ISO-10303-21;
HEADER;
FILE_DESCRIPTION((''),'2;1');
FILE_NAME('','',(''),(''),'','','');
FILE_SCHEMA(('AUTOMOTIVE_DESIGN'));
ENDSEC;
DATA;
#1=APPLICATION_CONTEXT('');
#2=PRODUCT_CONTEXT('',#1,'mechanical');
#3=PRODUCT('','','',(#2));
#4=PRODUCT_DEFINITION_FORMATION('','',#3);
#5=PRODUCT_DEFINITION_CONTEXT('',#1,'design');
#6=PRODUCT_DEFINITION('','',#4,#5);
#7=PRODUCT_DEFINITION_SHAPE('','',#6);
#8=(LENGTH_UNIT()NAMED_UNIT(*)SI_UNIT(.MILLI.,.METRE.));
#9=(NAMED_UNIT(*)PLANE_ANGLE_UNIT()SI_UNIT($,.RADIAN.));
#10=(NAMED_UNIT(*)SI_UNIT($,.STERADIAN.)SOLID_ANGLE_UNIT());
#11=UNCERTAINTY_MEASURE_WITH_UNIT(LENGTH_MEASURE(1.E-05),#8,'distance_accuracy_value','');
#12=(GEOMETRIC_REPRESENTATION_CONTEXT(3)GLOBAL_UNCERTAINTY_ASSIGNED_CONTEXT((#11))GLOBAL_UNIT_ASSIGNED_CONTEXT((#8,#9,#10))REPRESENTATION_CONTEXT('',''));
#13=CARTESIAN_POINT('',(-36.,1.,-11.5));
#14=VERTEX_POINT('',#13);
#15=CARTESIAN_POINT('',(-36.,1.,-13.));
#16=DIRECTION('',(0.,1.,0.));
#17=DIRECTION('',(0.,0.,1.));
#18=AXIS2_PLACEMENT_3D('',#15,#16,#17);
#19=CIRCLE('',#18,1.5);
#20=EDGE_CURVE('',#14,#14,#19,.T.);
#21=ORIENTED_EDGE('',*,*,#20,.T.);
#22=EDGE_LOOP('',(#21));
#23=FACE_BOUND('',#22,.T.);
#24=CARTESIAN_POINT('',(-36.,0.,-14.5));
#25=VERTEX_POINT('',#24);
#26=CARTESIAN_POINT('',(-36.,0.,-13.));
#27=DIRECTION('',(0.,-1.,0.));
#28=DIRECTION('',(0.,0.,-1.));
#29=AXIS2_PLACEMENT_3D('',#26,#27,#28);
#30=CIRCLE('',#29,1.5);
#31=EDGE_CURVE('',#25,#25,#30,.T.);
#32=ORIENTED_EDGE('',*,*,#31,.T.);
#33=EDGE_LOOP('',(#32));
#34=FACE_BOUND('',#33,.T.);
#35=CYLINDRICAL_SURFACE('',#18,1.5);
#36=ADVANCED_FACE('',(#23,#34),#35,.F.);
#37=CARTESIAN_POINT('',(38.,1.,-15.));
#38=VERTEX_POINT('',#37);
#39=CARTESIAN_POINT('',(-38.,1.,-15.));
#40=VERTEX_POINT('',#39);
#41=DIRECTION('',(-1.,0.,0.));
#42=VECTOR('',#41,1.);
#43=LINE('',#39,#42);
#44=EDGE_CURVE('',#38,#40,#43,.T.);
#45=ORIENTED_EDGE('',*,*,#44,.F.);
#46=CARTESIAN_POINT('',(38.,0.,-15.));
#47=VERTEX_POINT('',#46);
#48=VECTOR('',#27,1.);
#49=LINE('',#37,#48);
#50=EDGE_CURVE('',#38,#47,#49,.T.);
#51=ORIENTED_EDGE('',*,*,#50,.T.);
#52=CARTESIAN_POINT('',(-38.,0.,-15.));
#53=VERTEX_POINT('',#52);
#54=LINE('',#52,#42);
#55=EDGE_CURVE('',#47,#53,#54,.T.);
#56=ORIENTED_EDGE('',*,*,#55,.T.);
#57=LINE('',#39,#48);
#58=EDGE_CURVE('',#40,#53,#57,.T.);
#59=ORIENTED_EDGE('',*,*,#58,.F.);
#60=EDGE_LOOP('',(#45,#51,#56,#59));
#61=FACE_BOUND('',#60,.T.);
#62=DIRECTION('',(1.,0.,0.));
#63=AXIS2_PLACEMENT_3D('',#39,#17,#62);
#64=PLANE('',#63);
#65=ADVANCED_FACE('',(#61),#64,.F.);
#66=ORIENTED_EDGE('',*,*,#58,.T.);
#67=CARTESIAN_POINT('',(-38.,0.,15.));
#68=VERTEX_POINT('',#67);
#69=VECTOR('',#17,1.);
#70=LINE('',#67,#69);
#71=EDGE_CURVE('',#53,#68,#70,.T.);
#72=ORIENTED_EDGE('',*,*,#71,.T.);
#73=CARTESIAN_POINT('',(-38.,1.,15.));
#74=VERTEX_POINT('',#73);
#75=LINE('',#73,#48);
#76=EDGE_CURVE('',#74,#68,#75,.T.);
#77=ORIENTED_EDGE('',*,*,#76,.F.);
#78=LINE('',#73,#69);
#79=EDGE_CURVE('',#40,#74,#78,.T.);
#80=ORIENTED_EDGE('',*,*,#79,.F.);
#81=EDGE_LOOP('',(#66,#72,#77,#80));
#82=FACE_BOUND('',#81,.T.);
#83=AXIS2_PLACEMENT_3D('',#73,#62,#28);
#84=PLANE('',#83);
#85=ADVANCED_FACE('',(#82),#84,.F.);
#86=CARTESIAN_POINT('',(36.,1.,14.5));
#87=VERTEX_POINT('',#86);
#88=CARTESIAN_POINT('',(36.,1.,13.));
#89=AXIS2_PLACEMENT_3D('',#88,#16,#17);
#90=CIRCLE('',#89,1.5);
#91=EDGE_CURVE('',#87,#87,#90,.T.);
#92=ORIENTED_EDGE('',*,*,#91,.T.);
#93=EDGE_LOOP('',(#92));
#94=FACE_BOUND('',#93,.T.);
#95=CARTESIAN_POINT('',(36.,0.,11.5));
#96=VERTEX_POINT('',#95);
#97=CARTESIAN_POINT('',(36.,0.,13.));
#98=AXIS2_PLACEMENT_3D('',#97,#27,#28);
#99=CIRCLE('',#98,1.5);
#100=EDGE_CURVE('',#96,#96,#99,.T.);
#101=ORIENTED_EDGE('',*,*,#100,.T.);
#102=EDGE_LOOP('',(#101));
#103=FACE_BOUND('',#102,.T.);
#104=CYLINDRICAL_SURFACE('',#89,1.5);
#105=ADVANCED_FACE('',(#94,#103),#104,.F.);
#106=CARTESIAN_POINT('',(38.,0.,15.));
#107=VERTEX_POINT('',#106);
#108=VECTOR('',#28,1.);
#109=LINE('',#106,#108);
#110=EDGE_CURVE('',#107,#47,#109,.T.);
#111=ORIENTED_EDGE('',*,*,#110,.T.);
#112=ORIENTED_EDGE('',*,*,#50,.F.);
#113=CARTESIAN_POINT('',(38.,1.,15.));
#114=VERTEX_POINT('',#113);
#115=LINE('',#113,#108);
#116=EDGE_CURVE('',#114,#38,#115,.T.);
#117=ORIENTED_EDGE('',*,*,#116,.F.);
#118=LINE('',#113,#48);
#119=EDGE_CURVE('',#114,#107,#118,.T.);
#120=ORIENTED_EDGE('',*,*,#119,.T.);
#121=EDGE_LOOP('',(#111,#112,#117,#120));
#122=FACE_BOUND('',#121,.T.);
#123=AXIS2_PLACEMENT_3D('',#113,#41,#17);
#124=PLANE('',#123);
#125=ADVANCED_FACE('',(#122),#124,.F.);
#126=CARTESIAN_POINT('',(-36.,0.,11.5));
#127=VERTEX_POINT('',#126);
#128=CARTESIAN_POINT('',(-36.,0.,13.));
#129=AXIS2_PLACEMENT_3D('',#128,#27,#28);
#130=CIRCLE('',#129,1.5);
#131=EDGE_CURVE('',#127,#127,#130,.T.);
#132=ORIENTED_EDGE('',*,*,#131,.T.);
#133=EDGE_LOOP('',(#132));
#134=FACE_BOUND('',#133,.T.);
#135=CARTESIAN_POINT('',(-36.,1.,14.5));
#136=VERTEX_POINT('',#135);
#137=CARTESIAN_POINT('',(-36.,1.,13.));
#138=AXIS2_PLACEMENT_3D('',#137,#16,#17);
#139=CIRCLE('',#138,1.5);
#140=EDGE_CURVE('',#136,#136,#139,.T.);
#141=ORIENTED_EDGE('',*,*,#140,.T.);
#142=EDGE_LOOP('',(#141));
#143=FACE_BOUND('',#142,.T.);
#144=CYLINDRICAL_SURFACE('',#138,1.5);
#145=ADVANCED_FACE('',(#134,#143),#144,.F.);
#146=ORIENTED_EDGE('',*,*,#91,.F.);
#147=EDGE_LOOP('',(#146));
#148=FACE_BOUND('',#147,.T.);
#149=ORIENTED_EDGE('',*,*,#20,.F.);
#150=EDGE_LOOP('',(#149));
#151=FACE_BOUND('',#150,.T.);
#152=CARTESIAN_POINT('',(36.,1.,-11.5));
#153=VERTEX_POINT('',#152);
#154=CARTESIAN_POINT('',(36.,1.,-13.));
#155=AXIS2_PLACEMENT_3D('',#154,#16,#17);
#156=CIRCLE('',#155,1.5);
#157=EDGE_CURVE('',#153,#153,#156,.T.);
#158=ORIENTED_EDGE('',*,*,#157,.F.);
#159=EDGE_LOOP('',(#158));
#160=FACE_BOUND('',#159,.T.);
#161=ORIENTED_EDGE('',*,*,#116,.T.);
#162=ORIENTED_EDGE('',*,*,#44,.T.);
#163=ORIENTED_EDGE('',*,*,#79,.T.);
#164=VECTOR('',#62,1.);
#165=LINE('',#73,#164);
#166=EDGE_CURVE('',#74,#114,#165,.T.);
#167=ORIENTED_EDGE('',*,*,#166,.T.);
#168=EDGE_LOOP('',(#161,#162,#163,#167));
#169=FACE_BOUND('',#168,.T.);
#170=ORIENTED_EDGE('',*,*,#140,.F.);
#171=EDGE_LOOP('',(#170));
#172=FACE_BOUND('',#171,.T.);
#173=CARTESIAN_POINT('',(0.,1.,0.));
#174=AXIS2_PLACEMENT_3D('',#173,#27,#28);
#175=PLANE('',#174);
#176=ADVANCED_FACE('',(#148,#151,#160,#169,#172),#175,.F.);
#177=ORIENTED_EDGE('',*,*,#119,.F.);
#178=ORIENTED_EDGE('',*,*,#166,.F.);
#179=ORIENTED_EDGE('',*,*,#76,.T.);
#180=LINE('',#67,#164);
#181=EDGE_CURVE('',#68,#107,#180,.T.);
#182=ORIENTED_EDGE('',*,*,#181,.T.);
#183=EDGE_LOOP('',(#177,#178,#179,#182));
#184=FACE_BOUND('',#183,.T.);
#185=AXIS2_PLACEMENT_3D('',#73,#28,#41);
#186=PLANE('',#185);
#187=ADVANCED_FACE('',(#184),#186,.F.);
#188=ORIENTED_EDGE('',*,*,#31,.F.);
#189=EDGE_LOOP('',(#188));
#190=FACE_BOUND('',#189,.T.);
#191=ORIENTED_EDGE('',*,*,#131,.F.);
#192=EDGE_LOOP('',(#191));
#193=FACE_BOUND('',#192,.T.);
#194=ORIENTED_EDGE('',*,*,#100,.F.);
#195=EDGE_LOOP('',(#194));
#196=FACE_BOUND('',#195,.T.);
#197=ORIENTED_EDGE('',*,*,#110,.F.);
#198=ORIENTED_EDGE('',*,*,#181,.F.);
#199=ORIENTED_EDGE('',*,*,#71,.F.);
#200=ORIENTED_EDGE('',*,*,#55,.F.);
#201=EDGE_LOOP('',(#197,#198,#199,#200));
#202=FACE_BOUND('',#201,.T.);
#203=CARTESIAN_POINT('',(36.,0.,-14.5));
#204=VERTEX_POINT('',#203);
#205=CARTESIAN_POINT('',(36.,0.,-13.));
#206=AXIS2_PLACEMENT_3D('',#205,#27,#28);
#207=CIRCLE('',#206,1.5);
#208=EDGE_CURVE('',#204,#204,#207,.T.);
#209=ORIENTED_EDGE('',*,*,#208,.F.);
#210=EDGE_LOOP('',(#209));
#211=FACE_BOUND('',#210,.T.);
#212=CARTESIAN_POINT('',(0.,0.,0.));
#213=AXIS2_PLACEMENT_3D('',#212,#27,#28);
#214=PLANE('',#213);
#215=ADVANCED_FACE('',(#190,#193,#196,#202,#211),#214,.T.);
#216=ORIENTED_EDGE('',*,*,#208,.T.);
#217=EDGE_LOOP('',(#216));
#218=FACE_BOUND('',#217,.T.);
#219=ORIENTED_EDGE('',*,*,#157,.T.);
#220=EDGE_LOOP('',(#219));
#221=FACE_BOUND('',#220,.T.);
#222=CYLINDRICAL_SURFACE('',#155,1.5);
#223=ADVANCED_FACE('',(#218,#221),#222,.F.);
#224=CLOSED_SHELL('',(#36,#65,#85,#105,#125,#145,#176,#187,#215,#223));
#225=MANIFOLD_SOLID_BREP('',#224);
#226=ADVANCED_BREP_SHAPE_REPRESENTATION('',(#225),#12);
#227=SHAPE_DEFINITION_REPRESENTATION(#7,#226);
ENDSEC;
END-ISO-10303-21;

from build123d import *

# Parameters (mm, degrees)
CROQUIS1_W                   = 76
CROQUIS1_H                   = 30
SALIENTE_EXTRUIR1_DEPTH      = 1
TALADRO_DE_MARGEN_PARA_M31_D = 3


with BuildPart() as part:
    # Croquis1 → Saliente-Extruir1 (new body)
    with BuildSketch(Plane(origin=(0, 0, 0), x_dir=(1, 0, 0), z_dir=(0, 1, 0))):
        Rectangle(CROQUIS1_W, CROQUIS1_H)
    extrude(amount=SALIENTE_EXTRUIR1_DEPTH)

    # Taladro de margen para M31 (through all)
    with Locations(Plane(origin=(-36, 1, -13), x_dir=(0, 0, 1), z_dir=(0, 1, 0))):
        with Locations((0, 0), (0, 72), (26, 72), (26, 0)):
            Hole(TALADRO_DE_MARGEN_PARA_M31_D / 2)


solid = part.part
